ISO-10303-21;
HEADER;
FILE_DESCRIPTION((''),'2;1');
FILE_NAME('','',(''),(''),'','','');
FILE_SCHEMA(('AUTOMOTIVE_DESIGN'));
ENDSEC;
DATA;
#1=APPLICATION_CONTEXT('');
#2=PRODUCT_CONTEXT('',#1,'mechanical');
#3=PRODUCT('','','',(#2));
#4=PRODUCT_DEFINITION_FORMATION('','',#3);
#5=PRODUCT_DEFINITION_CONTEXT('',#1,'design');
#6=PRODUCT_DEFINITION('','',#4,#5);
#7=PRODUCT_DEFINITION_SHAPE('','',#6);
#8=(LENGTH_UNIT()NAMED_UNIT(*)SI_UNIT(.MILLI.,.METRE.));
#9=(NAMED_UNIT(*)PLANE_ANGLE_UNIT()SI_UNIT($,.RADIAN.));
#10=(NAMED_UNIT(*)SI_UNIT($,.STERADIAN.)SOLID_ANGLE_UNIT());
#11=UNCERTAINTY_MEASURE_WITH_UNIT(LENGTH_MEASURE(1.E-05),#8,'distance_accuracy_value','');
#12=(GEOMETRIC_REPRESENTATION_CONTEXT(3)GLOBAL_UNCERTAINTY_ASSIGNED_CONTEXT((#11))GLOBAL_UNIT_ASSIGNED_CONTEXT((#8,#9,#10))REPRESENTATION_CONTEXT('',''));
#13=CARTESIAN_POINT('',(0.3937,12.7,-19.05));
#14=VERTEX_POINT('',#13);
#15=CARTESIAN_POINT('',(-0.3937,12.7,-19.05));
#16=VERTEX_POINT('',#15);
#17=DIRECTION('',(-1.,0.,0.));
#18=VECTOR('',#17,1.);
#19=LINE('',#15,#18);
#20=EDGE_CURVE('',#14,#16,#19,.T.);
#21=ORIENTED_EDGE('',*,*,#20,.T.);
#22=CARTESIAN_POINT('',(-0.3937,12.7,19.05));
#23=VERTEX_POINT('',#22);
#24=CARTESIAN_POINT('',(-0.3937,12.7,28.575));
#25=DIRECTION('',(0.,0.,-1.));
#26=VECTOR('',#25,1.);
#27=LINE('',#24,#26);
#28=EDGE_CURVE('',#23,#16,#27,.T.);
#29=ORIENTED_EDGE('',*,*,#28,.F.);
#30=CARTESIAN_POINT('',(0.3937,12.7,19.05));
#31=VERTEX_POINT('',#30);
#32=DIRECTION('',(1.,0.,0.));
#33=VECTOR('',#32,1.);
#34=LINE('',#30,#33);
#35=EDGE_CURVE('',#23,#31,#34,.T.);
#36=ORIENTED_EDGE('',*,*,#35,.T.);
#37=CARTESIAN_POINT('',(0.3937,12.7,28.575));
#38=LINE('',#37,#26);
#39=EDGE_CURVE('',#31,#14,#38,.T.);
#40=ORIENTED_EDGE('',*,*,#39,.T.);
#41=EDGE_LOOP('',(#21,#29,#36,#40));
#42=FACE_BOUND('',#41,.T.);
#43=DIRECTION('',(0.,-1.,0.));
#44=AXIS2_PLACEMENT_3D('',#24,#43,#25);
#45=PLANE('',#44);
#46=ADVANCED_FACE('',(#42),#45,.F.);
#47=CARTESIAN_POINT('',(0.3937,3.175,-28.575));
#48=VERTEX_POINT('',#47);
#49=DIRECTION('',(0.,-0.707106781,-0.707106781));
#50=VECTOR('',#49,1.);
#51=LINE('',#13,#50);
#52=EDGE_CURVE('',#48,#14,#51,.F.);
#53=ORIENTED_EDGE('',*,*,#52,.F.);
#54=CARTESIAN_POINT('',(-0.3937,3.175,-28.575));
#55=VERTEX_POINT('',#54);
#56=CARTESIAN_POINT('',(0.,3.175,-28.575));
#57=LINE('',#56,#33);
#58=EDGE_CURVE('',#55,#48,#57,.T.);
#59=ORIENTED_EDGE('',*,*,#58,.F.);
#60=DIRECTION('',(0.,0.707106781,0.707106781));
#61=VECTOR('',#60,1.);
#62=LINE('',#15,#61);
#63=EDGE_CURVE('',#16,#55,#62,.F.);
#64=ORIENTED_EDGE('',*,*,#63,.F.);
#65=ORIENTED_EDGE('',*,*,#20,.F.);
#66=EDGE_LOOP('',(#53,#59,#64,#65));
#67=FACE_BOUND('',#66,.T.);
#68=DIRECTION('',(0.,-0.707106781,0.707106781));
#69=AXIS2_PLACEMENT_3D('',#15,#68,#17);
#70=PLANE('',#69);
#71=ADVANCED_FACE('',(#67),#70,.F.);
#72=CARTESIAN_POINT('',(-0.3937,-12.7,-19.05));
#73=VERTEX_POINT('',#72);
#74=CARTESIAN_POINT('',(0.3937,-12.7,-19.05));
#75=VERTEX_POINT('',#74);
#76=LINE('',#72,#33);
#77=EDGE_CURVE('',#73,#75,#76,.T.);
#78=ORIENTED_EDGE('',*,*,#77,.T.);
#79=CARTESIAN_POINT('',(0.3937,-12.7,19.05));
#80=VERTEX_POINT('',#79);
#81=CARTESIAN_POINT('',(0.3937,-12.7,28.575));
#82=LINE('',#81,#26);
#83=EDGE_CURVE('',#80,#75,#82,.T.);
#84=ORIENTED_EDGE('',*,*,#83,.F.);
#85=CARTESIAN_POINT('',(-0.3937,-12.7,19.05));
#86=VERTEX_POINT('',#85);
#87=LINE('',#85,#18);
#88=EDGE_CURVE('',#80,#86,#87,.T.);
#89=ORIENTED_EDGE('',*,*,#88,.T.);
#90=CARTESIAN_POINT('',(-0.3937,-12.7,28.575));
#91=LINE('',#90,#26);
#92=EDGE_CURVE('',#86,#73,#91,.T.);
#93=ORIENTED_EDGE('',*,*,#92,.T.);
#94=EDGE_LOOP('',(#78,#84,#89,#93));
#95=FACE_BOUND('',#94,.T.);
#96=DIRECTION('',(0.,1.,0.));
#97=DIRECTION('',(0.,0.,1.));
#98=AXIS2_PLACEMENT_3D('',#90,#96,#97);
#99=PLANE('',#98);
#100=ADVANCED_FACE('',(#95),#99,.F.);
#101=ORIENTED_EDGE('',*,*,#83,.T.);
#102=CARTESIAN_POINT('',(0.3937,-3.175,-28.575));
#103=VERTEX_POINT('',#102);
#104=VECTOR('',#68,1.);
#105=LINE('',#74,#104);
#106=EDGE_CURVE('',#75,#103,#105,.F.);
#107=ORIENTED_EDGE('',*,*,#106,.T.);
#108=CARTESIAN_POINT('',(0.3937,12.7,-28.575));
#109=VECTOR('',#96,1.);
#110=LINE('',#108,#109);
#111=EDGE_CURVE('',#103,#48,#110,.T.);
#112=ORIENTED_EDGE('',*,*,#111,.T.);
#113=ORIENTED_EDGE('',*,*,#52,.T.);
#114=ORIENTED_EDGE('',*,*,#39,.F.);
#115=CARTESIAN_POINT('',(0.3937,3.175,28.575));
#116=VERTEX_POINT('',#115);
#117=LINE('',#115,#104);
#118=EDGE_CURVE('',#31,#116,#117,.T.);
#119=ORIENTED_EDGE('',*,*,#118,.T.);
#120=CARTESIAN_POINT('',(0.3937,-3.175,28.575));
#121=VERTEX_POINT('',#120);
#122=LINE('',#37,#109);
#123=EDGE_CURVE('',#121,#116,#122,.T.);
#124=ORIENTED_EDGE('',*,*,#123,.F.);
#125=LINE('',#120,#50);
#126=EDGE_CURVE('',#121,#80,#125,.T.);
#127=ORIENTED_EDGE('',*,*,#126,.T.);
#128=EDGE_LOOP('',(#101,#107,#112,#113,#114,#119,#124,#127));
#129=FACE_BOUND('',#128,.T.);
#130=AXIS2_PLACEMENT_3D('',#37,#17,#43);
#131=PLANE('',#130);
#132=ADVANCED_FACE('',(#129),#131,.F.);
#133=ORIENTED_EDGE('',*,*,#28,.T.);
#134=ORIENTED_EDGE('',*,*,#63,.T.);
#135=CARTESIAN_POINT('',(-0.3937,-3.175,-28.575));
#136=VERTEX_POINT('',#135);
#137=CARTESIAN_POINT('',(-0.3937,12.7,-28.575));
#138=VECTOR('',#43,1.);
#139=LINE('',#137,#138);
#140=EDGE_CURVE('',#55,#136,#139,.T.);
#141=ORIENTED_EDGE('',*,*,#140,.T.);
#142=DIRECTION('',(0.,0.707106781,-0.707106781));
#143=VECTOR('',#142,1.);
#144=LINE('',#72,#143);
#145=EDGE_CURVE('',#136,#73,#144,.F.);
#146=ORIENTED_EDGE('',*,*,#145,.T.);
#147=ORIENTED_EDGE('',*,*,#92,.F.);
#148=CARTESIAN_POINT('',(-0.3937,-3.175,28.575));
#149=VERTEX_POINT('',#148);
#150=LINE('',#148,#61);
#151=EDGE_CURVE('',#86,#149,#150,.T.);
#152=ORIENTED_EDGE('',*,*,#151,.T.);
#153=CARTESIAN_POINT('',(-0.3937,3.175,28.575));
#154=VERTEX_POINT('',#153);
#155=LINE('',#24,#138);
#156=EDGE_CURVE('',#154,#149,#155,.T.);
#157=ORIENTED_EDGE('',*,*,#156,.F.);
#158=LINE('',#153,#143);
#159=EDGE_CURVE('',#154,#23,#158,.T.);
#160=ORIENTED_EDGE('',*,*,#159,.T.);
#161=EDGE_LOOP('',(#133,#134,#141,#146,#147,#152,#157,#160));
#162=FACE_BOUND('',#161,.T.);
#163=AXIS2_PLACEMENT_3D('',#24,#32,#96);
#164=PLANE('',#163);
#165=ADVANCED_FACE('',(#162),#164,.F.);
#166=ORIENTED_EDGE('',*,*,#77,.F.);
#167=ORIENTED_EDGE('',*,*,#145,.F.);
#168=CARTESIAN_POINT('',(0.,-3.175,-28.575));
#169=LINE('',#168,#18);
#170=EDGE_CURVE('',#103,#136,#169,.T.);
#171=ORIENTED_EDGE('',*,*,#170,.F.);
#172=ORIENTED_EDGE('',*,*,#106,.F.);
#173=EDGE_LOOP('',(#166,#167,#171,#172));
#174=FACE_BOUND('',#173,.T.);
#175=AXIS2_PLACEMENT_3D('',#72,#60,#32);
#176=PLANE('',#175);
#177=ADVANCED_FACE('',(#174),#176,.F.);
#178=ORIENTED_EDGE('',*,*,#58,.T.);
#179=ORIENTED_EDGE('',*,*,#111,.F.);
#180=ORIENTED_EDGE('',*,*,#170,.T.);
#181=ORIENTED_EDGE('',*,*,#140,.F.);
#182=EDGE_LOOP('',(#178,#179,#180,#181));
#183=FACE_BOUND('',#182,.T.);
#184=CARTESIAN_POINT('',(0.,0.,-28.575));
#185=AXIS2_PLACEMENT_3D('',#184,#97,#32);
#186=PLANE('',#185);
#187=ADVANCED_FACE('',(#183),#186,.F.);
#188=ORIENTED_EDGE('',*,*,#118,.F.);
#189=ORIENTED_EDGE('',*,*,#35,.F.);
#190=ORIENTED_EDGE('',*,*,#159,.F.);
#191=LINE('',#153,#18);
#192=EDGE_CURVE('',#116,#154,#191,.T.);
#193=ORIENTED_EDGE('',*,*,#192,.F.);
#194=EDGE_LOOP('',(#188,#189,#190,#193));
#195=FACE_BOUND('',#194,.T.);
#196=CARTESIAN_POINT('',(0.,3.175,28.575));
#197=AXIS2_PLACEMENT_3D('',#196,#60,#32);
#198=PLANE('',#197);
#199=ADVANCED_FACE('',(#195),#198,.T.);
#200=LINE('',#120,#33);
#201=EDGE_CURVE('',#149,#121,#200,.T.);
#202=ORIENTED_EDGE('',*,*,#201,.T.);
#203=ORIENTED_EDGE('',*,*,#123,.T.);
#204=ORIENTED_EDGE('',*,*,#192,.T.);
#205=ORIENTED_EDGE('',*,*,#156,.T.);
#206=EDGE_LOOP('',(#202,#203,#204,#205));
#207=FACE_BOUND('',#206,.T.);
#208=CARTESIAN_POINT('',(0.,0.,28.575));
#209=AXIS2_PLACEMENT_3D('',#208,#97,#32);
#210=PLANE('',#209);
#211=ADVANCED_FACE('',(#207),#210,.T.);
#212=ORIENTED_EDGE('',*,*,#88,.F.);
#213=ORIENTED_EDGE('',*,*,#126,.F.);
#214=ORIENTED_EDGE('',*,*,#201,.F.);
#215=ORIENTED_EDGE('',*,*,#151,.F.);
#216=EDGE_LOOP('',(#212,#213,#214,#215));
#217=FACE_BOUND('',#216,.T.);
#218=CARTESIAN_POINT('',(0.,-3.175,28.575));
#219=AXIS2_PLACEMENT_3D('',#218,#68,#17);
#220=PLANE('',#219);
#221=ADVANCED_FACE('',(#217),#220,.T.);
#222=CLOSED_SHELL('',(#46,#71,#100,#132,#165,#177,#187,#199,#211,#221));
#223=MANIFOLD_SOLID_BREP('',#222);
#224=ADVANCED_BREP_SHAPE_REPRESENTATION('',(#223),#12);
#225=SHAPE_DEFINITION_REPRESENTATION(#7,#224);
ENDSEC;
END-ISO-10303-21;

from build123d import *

# Parameters (mm, degrees)
SKETCH1_W              = 0.7874
SKETCH1_H              = 25.4
MCMASTER_2636T21_DEPTH = 28.575
CHAMFER1_SIZE          = 9.525


with BuildPart() as part:
    # Sketch1 → McMaster 2636T21 (new body, symmetric)
    with BuildSketch(Plane.XY):
        Rectangle(SKETCH1_W, SKETCH1_H)
    extrude(amount=MCMASTER_2636T21_DEPTH, both=True)

    # Chamfer1
    chamfer1_edges = [part.edges().sort_by_distance(p)[0] for p in [
        (0, -12.7, 28.575),
        (0, -12.7, -28.575),
        (0, 12.7, -28.575),
        (0, 12.7, 28.575),
    ]]
    chamfer(chamfer1_edges, length=CHAMFER1_SIZE)


solid = part.part
